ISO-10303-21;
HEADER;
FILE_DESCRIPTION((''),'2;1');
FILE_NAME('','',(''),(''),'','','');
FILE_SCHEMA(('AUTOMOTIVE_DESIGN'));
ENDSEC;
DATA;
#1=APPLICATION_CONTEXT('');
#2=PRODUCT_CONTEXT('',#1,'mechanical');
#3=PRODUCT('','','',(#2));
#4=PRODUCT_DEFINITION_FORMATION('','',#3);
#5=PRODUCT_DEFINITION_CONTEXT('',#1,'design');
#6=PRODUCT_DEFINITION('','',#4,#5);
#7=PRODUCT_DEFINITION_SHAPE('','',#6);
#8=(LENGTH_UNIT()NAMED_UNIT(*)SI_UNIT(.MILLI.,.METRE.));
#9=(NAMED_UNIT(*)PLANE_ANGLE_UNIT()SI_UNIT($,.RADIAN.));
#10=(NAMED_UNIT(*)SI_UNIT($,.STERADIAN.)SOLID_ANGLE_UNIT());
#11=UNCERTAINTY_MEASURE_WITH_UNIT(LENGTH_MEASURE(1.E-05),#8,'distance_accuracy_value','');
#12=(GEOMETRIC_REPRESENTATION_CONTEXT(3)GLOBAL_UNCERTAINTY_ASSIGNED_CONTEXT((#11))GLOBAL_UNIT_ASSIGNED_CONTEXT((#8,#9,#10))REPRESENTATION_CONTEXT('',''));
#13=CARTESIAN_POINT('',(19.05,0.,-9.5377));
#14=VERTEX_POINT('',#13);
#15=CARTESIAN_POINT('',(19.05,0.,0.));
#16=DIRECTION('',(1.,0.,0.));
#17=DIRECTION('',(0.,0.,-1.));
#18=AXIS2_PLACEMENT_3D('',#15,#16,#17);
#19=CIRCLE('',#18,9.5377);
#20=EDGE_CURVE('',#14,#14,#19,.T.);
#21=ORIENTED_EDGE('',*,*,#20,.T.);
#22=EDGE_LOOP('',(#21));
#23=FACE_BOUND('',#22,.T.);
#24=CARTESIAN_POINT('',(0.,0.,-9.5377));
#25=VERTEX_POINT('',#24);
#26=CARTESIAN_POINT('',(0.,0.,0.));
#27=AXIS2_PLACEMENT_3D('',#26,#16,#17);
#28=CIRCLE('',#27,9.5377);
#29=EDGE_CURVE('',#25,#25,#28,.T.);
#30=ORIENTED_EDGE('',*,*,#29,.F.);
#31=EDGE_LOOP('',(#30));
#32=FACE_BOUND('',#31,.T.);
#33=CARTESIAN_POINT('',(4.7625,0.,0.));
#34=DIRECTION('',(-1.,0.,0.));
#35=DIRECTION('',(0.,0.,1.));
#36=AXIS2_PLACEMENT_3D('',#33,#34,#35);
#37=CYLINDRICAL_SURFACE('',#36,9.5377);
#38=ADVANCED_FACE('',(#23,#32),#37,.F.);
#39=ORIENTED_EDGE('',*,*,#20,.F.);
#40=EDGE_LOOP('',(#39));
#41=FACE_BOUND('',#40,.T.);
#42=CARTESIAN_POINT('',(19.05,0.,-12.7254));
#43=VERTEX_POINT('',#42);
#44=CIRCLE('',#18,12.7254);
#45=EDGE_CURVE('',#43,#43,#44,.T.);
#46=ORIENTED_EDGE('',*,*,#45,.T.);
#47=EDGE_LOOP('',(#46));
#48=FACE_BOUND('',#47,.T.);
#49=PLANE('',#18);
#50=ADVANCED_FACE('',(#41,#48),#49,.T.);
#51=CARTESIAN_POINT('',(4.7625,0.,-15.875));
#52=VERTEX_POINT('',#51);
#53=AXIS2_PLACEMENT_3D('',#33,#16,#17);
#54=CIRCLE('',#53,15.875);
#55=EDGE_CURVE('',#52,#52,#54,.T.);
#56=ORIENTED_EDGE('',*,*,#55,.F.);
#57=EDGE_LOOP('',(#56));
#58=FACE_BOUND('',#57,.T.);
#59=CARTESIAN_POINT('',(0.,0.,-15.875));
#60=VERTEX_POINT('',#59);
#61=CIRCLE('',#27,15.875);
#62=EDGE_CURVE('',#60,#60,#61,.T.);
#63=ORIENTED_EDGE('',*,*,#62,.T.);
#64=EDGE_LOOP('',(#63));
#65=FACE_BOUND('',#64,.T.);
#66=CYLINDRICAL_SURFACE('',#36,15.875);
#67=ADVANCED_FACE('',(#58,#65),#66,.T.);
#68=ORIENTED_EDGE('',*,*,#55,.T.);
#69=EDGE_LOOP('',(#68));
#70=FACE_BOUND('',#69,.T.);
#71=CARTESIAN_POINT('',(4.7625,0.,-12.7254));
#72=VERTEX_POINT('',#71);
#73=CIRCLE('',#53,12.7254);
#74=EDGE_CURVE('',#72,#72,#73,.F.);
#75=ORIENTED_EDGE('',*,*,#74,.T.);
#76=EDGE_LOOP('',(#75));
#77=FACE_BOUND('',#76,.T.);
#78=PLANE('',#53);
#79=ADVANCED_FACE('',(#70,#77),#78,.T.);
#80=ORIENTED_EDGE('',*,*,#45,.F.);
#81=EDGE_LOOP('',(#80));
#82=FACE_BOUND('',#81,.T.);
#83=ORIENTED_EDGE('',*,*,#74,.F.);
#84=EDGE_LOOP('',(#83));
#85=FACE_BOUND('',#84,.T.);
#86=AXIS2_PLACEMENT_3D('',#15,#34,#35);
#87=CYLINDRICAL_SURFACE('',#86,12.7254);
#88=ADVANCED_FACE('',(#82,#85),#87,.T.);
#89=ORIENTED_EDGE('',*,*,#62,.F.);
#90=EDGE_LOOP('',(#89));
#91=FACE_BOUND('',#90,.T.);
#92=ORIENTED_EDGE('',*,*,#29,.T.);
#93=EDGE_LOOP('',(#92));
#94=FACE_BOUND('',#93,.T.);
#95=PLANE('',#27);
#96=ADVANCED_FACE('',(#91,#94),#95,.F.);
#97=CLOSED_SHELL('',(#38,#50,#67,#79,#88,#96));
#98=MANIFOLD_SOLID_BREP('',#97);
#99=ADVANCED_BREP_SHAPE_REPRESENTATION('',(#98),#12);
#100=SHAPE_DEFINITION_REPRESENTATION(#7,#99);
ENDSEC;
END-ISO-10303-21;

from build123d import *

# Parameters (mm, degrees)
SKETCH1_R           = 15.875
SKETCH1_R_2         = 9.5377
BOSS_EXTRUDE1_DEPTH = 4.7625
SKETCH1_3_R         = 12.7254
SKETCH1_3_R_2       = 9.5377
BOSS_EXTRUDE2_DEPTH = 19.05


with BuildPart() as part:
    # Sketch1 → Boss-Extrude1 (new body)
    with BuildSketch(Plane(origin=(0, 0, 0), x_dir=(0, 0, -1), z_dir=(1, 0, 0))):
        Circle(SKETCH1_R)
        Circle(SKETCH1_R_2, mode=Mode.SUBTRACT)
    extrude(amount=BOSS_EXTRUDE1_DEPTH)

    # Sketch1<3> → Boss-Extrude2 (add)
    with BuildSketch(Plane(origin=(0, 0, 0), x_dir=(0, 0, -1), z_dir=(1, 0, 0))):
        Circle(SKETCH1_3_R)
        Circle(SKETCH1_3_R_2, mode=Mode.SUBTRACT)
    extrude(amount=BOSS_EXTRUDE2_DEPTH)


solid = part.part
